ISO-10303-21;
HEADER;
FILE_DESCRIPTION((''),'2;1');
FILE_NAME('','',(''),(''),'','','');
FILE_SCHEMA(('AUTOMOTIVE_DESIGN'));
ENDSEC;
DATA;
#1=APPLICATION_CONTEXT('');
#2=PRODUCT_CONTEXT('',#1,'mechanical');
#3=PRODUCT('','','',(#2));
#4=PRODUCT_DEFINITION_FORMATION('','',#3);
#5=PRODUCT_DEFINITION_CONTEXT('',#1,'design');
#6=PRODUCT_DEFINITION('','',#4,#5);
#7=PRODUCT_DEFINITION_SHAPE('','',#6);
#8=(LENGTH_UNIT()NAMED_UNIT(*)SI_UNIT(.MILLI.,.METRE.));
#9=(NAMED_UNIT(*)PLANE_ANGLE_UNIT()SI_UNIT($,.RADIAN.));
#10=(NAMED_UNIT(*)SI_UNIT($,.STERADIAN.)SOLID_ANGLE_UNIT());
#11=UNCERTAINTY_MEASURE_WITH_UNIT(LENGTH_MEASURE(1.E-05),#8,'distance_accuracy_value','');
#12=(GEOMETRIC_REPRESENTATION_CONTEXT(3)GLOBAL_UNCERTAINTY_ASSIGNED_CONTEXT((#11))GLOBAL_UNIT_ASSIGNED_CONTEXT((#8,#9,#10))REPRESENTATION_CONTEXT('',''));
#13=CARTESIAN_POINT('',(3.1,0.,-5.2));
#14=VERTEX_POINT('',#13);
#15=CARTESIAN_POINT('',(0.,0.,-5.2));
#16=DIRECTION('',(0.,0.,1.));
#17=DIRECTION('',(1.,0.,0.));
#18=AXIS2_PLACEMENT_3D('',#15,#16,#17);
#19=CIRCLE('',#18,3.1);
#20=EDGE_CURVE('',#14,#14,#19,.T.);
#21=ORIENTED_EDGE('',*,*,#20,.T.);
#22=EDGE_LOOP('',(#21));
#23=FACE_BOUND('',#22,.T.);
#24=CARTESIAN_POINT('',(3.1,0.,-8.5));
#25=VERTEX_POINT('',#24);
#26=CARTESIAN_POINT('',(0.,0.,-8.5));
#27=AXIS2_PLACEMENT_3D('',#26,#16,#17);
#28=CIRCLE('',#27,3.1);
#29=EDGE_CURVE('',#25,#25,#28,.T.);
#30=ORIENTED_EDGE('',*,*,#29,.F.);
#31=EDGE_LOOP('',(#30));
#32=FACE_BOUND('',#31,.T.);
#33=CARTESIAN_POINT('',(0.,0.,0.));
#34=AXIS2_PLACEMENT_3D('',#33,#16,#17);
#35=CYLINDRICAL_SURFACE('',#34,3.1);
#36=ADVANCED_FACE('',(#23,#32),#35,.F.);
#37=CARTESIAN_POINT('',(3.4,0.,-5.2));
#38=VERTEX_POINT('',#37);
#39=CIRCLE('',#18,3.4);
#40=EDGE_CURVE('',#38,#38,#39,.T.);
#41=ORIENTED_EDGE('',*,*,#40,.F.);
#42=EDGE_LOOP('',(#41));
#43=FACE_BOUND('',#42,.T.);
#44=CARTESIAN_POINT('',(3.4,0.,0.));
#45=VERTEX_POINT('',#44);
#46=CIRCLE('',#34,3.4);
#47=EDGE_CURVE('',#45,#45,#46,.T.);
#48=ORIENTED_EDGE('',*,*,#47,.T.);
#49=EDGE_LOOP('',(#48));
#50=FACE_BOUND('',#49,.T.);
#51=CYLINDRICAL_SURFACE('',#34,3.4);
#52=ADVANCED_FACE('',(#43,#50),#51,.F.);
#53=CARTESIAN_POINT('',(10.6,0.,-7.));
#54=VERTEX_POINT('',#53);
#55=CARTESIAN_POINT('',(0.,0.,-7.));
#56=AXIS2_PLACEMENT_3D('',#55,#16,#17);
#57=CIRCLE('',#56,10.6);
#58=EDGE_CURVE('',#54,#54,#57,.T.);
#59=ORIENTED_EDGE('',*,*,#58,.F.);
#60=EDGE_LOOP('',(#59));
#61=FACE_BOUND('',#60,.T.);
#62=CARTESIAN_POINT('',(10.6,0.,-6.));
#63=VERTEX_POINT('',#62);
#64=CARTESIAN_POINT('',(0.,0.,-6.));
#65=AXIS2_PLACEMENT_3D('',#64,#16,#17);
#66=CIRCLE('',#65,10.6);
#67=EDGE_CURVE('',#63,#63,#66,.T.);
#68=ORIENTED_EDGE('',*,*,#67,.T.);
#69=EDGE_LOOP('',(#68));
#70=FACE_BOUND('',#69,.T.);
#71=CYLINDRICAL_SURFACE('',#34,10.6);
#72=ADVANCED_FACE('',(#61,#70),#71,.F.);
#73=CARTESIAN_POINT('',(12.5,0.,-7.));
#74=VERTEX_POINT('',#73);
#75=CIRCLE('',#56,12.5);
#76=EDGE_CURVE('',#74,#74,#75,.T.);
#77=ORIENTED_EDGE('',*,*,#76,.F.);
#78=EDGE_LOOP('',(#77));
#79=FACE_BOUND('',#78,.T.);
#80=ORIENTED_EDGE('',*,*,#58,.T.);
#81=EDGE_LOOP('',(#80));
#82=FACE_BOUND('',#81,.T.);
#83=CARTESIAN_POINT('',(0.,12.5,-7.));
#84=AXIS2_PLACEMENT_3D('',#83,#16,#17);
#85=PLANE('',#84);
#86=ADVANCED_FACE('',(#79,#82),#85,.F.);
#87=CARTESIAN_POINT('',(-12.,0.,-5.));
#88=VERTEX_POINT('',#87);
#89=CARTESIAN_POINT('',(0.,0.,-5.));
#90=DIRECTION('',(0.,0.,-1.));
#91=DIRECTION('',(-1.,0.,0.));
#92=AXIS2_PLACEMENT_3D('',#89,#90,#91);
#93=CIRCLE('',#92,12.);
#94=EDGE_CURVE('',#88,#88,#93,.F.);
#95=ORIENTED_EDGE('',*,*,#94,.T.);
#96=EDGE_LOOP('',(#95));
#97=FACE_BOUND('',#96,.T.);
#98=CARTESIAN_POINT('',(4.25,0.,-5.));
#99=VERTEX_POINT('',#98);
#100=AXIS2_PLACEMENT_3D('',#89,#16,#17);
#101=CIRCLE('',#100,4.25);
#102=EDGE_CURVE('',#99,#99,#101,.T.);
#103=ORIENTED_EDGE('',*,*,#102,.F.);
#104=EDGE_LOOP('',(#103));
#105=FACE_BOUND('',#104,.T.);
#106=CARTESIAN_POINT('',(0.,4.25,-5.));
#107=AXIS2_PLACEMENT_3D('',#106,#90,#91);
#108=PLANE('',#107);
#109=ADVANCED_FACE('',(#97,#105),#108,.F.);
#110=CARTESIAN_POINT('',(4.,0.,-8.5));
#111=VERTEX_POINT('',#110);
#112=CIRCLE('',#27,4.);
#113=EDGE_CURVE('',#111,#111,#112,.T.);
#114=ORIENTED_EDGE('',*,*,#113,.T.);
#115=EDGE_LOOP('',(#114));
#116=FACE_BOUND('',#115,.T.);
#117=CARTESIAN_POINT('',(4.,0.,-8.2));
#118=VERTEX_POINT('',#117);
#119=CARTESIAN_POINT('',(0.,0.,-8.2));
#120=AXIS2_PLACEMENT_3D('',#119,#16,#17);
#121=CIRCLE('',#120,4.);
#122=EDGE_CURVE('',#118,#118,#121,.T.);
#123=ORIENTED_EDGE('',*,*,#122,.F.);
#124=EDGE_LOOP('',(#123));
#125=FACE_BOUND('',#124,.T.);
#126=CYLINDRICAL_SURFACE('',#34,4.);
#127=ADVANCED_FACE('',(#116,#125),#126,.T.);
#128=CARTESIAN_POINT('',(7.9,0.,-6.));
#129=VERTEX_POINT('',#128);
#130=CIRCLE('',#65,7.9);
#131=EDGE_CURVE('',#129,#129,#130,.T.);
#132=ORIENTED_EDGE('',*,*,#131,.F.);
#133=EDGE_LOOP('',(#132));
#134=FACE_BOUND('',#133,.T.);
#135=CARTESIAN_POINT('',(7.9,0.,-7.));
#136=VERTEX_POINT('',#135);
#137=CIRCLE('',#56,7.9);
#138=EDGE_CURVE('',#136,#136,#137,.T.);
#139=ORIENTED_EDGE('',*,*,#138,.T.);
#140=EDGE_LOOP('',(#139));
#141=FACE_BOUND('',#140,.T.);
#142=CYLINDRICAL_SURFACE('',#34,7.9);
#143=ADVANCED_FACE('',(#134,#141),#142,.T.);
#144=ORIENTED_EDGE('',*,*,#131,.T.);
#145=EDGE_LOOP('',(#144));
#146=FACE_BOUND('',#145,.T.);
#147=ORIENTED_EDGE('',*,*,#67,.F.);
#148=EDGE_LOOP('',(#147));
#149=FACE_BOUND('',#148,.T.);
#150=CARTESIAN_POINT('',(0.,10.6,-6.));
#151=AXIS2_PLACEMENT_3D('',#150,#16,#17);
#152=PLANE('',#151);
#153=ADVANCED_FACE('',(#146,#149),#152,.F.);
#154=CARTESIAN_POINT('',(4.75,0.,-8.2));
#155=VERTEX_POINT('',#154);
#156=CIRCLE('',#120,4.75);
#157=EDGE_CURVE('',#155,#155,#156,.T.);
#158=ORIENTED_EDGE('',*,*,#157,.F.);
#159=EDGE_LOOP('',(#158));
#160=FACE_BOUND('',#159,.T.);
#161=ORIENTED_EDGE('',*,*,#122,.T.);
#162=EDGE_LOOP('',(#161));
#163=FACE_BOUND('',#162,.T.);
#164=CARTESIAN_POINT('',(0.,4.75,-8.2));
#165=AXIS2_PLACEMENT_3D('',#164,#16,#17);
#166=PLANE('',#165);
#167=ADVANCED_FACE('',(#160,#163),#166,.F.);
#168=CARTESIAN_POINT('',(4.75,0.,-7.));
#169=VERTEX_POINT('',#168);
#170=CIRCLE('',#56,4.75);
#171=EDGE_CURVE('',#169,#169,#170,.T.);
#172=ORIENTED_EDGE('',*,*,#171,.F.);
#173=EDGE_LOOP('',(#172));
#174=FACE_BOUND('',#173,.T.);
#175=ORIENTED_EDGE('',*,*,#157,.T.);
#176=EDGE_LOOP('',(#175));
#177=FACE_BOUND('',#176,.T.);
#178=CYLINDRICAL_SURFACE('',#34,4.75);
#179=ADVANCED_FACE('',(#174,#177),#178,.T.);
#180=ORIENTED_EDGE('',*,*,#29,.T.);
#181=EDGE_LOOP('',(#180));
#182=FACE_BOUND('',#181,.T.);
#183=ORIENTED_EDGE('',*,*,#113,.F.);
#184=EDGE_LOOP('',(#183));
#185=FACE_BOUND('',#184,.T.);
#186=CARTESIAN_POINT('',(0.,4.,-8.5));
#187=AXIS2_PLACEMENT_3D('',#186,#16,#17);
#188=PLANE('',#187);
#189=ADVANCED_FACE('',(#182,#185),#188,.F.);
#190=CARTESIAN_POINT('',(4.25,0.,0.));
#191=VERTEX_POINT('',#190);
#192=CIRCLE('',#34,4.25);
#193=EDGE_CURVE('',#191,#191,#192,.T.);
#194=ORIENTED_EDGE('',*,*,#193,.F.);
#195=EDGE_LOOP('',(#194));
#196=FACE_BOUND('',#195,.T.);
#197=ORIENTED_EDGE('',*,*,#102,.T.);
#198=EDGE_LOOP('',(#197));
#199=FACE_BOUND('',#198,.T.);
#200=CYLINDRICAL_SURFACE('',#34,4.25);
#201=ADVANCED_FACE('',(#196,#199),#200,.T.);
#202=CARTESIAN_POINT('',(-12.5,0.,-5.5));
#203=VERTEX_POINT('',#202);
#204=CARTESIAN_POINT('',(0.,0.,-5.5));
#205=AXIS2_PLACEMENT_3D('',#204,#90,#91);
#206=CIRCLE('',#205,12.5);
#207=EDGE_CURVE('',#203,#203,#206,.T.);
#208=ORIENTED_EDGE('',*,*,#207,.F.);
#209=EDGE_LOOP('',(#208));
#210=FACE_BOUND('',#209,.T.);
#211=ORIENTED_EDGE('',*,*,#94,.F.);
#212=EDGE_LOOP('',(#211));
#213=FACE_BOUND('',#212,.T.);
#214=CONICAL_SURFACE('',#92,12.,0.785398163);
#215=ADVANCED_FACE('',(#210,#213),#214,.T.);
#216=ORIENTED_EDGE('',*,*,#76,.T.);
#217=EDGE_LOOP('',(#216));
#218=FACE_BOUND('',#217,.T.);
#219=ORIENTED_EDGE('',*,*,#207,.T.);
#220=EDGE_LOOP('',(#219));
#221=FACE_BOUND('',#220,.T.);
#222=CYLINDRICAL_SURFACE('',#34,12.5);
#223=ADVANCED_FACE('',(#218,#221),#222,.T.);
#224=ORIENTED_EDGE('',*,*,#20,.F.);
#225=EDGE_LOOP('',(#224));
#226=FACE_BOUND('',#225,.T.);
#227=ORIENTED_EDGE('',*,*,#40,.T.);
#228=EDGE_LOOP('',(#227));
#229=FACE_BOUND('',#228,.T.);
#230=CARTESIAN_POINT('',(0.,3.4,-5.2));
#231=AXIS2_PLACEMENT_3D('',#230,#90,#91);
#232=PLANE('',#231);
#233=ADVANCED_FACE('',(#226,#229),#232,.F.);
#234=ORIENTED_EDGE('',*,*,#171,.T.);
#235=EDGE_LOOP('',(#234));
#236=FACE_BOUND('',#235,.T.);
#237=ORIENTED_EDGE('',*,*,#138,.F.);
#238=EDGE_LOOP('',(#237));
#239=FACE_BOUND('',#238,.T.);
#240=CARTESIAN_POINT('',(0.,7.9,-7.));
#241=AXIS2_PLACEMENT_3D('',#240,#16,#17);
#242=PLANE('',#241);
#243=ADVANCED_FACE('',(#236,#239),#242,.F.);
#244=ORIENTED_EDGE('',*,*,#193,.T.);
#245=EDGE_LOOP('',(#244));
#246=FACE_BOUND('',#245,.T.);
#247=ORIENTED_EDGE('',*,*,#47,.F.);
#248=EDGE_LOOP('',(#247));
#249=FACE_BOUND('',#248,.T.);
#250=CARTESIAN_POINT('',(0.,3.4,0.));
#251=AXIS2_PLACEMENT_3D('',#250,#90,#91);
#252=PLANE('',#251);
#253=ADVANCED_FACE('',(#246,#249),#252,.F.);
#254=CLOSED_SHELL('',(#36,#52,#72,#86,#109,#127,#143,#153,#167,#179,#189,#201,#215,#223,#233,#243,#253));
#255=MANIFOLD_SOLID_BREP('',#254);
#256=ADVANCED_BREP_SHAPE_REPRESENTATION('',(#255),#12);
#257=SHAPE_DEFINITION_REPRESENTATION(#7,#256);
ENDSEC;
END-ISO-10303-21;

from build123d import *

# Parameters (mm, degrees)
CHAMFER1_SIZE = 0.5


with BuildPart() as part:
    # Sketch1 → Revolve1 (revolve)
    with BuildSketch(Plane(origin=(0, 0, 0), x_dir=(0, 0, -1), z_dir=(1, 0, 0)), mode=Mode.PRIVATE) as revolve1_sk:
        Polygon((0, 3.4), (0, 4.25), (5, 4.25), (5, 12.5), (7, 12.5), (7, 10.6), (6, 10.6), (6, 7.9), (7, 7.9), (7, 4.75), (8.2, 4.75), (8.2, 4), (8.5, 4), (8.5, 3.1), (5.2, 3.1), (5.2, 3.4), align=None)
    revolve(revolve1_sk.sketch.rotate(Axis((0, 0, 0), (0, 0, -1)), 90), axis=Axis((0, 0, 0), (0, 0, -1)))

    # Chamfer1
    chamfer1_edges = [part.edges().sort_by_distance(p)[0] for p in [
        (-12.5, 0, -5),
    ]]
    chamfer(chamfer1_edges, length=CHAMFER1_SIZE)


solid = part.part
